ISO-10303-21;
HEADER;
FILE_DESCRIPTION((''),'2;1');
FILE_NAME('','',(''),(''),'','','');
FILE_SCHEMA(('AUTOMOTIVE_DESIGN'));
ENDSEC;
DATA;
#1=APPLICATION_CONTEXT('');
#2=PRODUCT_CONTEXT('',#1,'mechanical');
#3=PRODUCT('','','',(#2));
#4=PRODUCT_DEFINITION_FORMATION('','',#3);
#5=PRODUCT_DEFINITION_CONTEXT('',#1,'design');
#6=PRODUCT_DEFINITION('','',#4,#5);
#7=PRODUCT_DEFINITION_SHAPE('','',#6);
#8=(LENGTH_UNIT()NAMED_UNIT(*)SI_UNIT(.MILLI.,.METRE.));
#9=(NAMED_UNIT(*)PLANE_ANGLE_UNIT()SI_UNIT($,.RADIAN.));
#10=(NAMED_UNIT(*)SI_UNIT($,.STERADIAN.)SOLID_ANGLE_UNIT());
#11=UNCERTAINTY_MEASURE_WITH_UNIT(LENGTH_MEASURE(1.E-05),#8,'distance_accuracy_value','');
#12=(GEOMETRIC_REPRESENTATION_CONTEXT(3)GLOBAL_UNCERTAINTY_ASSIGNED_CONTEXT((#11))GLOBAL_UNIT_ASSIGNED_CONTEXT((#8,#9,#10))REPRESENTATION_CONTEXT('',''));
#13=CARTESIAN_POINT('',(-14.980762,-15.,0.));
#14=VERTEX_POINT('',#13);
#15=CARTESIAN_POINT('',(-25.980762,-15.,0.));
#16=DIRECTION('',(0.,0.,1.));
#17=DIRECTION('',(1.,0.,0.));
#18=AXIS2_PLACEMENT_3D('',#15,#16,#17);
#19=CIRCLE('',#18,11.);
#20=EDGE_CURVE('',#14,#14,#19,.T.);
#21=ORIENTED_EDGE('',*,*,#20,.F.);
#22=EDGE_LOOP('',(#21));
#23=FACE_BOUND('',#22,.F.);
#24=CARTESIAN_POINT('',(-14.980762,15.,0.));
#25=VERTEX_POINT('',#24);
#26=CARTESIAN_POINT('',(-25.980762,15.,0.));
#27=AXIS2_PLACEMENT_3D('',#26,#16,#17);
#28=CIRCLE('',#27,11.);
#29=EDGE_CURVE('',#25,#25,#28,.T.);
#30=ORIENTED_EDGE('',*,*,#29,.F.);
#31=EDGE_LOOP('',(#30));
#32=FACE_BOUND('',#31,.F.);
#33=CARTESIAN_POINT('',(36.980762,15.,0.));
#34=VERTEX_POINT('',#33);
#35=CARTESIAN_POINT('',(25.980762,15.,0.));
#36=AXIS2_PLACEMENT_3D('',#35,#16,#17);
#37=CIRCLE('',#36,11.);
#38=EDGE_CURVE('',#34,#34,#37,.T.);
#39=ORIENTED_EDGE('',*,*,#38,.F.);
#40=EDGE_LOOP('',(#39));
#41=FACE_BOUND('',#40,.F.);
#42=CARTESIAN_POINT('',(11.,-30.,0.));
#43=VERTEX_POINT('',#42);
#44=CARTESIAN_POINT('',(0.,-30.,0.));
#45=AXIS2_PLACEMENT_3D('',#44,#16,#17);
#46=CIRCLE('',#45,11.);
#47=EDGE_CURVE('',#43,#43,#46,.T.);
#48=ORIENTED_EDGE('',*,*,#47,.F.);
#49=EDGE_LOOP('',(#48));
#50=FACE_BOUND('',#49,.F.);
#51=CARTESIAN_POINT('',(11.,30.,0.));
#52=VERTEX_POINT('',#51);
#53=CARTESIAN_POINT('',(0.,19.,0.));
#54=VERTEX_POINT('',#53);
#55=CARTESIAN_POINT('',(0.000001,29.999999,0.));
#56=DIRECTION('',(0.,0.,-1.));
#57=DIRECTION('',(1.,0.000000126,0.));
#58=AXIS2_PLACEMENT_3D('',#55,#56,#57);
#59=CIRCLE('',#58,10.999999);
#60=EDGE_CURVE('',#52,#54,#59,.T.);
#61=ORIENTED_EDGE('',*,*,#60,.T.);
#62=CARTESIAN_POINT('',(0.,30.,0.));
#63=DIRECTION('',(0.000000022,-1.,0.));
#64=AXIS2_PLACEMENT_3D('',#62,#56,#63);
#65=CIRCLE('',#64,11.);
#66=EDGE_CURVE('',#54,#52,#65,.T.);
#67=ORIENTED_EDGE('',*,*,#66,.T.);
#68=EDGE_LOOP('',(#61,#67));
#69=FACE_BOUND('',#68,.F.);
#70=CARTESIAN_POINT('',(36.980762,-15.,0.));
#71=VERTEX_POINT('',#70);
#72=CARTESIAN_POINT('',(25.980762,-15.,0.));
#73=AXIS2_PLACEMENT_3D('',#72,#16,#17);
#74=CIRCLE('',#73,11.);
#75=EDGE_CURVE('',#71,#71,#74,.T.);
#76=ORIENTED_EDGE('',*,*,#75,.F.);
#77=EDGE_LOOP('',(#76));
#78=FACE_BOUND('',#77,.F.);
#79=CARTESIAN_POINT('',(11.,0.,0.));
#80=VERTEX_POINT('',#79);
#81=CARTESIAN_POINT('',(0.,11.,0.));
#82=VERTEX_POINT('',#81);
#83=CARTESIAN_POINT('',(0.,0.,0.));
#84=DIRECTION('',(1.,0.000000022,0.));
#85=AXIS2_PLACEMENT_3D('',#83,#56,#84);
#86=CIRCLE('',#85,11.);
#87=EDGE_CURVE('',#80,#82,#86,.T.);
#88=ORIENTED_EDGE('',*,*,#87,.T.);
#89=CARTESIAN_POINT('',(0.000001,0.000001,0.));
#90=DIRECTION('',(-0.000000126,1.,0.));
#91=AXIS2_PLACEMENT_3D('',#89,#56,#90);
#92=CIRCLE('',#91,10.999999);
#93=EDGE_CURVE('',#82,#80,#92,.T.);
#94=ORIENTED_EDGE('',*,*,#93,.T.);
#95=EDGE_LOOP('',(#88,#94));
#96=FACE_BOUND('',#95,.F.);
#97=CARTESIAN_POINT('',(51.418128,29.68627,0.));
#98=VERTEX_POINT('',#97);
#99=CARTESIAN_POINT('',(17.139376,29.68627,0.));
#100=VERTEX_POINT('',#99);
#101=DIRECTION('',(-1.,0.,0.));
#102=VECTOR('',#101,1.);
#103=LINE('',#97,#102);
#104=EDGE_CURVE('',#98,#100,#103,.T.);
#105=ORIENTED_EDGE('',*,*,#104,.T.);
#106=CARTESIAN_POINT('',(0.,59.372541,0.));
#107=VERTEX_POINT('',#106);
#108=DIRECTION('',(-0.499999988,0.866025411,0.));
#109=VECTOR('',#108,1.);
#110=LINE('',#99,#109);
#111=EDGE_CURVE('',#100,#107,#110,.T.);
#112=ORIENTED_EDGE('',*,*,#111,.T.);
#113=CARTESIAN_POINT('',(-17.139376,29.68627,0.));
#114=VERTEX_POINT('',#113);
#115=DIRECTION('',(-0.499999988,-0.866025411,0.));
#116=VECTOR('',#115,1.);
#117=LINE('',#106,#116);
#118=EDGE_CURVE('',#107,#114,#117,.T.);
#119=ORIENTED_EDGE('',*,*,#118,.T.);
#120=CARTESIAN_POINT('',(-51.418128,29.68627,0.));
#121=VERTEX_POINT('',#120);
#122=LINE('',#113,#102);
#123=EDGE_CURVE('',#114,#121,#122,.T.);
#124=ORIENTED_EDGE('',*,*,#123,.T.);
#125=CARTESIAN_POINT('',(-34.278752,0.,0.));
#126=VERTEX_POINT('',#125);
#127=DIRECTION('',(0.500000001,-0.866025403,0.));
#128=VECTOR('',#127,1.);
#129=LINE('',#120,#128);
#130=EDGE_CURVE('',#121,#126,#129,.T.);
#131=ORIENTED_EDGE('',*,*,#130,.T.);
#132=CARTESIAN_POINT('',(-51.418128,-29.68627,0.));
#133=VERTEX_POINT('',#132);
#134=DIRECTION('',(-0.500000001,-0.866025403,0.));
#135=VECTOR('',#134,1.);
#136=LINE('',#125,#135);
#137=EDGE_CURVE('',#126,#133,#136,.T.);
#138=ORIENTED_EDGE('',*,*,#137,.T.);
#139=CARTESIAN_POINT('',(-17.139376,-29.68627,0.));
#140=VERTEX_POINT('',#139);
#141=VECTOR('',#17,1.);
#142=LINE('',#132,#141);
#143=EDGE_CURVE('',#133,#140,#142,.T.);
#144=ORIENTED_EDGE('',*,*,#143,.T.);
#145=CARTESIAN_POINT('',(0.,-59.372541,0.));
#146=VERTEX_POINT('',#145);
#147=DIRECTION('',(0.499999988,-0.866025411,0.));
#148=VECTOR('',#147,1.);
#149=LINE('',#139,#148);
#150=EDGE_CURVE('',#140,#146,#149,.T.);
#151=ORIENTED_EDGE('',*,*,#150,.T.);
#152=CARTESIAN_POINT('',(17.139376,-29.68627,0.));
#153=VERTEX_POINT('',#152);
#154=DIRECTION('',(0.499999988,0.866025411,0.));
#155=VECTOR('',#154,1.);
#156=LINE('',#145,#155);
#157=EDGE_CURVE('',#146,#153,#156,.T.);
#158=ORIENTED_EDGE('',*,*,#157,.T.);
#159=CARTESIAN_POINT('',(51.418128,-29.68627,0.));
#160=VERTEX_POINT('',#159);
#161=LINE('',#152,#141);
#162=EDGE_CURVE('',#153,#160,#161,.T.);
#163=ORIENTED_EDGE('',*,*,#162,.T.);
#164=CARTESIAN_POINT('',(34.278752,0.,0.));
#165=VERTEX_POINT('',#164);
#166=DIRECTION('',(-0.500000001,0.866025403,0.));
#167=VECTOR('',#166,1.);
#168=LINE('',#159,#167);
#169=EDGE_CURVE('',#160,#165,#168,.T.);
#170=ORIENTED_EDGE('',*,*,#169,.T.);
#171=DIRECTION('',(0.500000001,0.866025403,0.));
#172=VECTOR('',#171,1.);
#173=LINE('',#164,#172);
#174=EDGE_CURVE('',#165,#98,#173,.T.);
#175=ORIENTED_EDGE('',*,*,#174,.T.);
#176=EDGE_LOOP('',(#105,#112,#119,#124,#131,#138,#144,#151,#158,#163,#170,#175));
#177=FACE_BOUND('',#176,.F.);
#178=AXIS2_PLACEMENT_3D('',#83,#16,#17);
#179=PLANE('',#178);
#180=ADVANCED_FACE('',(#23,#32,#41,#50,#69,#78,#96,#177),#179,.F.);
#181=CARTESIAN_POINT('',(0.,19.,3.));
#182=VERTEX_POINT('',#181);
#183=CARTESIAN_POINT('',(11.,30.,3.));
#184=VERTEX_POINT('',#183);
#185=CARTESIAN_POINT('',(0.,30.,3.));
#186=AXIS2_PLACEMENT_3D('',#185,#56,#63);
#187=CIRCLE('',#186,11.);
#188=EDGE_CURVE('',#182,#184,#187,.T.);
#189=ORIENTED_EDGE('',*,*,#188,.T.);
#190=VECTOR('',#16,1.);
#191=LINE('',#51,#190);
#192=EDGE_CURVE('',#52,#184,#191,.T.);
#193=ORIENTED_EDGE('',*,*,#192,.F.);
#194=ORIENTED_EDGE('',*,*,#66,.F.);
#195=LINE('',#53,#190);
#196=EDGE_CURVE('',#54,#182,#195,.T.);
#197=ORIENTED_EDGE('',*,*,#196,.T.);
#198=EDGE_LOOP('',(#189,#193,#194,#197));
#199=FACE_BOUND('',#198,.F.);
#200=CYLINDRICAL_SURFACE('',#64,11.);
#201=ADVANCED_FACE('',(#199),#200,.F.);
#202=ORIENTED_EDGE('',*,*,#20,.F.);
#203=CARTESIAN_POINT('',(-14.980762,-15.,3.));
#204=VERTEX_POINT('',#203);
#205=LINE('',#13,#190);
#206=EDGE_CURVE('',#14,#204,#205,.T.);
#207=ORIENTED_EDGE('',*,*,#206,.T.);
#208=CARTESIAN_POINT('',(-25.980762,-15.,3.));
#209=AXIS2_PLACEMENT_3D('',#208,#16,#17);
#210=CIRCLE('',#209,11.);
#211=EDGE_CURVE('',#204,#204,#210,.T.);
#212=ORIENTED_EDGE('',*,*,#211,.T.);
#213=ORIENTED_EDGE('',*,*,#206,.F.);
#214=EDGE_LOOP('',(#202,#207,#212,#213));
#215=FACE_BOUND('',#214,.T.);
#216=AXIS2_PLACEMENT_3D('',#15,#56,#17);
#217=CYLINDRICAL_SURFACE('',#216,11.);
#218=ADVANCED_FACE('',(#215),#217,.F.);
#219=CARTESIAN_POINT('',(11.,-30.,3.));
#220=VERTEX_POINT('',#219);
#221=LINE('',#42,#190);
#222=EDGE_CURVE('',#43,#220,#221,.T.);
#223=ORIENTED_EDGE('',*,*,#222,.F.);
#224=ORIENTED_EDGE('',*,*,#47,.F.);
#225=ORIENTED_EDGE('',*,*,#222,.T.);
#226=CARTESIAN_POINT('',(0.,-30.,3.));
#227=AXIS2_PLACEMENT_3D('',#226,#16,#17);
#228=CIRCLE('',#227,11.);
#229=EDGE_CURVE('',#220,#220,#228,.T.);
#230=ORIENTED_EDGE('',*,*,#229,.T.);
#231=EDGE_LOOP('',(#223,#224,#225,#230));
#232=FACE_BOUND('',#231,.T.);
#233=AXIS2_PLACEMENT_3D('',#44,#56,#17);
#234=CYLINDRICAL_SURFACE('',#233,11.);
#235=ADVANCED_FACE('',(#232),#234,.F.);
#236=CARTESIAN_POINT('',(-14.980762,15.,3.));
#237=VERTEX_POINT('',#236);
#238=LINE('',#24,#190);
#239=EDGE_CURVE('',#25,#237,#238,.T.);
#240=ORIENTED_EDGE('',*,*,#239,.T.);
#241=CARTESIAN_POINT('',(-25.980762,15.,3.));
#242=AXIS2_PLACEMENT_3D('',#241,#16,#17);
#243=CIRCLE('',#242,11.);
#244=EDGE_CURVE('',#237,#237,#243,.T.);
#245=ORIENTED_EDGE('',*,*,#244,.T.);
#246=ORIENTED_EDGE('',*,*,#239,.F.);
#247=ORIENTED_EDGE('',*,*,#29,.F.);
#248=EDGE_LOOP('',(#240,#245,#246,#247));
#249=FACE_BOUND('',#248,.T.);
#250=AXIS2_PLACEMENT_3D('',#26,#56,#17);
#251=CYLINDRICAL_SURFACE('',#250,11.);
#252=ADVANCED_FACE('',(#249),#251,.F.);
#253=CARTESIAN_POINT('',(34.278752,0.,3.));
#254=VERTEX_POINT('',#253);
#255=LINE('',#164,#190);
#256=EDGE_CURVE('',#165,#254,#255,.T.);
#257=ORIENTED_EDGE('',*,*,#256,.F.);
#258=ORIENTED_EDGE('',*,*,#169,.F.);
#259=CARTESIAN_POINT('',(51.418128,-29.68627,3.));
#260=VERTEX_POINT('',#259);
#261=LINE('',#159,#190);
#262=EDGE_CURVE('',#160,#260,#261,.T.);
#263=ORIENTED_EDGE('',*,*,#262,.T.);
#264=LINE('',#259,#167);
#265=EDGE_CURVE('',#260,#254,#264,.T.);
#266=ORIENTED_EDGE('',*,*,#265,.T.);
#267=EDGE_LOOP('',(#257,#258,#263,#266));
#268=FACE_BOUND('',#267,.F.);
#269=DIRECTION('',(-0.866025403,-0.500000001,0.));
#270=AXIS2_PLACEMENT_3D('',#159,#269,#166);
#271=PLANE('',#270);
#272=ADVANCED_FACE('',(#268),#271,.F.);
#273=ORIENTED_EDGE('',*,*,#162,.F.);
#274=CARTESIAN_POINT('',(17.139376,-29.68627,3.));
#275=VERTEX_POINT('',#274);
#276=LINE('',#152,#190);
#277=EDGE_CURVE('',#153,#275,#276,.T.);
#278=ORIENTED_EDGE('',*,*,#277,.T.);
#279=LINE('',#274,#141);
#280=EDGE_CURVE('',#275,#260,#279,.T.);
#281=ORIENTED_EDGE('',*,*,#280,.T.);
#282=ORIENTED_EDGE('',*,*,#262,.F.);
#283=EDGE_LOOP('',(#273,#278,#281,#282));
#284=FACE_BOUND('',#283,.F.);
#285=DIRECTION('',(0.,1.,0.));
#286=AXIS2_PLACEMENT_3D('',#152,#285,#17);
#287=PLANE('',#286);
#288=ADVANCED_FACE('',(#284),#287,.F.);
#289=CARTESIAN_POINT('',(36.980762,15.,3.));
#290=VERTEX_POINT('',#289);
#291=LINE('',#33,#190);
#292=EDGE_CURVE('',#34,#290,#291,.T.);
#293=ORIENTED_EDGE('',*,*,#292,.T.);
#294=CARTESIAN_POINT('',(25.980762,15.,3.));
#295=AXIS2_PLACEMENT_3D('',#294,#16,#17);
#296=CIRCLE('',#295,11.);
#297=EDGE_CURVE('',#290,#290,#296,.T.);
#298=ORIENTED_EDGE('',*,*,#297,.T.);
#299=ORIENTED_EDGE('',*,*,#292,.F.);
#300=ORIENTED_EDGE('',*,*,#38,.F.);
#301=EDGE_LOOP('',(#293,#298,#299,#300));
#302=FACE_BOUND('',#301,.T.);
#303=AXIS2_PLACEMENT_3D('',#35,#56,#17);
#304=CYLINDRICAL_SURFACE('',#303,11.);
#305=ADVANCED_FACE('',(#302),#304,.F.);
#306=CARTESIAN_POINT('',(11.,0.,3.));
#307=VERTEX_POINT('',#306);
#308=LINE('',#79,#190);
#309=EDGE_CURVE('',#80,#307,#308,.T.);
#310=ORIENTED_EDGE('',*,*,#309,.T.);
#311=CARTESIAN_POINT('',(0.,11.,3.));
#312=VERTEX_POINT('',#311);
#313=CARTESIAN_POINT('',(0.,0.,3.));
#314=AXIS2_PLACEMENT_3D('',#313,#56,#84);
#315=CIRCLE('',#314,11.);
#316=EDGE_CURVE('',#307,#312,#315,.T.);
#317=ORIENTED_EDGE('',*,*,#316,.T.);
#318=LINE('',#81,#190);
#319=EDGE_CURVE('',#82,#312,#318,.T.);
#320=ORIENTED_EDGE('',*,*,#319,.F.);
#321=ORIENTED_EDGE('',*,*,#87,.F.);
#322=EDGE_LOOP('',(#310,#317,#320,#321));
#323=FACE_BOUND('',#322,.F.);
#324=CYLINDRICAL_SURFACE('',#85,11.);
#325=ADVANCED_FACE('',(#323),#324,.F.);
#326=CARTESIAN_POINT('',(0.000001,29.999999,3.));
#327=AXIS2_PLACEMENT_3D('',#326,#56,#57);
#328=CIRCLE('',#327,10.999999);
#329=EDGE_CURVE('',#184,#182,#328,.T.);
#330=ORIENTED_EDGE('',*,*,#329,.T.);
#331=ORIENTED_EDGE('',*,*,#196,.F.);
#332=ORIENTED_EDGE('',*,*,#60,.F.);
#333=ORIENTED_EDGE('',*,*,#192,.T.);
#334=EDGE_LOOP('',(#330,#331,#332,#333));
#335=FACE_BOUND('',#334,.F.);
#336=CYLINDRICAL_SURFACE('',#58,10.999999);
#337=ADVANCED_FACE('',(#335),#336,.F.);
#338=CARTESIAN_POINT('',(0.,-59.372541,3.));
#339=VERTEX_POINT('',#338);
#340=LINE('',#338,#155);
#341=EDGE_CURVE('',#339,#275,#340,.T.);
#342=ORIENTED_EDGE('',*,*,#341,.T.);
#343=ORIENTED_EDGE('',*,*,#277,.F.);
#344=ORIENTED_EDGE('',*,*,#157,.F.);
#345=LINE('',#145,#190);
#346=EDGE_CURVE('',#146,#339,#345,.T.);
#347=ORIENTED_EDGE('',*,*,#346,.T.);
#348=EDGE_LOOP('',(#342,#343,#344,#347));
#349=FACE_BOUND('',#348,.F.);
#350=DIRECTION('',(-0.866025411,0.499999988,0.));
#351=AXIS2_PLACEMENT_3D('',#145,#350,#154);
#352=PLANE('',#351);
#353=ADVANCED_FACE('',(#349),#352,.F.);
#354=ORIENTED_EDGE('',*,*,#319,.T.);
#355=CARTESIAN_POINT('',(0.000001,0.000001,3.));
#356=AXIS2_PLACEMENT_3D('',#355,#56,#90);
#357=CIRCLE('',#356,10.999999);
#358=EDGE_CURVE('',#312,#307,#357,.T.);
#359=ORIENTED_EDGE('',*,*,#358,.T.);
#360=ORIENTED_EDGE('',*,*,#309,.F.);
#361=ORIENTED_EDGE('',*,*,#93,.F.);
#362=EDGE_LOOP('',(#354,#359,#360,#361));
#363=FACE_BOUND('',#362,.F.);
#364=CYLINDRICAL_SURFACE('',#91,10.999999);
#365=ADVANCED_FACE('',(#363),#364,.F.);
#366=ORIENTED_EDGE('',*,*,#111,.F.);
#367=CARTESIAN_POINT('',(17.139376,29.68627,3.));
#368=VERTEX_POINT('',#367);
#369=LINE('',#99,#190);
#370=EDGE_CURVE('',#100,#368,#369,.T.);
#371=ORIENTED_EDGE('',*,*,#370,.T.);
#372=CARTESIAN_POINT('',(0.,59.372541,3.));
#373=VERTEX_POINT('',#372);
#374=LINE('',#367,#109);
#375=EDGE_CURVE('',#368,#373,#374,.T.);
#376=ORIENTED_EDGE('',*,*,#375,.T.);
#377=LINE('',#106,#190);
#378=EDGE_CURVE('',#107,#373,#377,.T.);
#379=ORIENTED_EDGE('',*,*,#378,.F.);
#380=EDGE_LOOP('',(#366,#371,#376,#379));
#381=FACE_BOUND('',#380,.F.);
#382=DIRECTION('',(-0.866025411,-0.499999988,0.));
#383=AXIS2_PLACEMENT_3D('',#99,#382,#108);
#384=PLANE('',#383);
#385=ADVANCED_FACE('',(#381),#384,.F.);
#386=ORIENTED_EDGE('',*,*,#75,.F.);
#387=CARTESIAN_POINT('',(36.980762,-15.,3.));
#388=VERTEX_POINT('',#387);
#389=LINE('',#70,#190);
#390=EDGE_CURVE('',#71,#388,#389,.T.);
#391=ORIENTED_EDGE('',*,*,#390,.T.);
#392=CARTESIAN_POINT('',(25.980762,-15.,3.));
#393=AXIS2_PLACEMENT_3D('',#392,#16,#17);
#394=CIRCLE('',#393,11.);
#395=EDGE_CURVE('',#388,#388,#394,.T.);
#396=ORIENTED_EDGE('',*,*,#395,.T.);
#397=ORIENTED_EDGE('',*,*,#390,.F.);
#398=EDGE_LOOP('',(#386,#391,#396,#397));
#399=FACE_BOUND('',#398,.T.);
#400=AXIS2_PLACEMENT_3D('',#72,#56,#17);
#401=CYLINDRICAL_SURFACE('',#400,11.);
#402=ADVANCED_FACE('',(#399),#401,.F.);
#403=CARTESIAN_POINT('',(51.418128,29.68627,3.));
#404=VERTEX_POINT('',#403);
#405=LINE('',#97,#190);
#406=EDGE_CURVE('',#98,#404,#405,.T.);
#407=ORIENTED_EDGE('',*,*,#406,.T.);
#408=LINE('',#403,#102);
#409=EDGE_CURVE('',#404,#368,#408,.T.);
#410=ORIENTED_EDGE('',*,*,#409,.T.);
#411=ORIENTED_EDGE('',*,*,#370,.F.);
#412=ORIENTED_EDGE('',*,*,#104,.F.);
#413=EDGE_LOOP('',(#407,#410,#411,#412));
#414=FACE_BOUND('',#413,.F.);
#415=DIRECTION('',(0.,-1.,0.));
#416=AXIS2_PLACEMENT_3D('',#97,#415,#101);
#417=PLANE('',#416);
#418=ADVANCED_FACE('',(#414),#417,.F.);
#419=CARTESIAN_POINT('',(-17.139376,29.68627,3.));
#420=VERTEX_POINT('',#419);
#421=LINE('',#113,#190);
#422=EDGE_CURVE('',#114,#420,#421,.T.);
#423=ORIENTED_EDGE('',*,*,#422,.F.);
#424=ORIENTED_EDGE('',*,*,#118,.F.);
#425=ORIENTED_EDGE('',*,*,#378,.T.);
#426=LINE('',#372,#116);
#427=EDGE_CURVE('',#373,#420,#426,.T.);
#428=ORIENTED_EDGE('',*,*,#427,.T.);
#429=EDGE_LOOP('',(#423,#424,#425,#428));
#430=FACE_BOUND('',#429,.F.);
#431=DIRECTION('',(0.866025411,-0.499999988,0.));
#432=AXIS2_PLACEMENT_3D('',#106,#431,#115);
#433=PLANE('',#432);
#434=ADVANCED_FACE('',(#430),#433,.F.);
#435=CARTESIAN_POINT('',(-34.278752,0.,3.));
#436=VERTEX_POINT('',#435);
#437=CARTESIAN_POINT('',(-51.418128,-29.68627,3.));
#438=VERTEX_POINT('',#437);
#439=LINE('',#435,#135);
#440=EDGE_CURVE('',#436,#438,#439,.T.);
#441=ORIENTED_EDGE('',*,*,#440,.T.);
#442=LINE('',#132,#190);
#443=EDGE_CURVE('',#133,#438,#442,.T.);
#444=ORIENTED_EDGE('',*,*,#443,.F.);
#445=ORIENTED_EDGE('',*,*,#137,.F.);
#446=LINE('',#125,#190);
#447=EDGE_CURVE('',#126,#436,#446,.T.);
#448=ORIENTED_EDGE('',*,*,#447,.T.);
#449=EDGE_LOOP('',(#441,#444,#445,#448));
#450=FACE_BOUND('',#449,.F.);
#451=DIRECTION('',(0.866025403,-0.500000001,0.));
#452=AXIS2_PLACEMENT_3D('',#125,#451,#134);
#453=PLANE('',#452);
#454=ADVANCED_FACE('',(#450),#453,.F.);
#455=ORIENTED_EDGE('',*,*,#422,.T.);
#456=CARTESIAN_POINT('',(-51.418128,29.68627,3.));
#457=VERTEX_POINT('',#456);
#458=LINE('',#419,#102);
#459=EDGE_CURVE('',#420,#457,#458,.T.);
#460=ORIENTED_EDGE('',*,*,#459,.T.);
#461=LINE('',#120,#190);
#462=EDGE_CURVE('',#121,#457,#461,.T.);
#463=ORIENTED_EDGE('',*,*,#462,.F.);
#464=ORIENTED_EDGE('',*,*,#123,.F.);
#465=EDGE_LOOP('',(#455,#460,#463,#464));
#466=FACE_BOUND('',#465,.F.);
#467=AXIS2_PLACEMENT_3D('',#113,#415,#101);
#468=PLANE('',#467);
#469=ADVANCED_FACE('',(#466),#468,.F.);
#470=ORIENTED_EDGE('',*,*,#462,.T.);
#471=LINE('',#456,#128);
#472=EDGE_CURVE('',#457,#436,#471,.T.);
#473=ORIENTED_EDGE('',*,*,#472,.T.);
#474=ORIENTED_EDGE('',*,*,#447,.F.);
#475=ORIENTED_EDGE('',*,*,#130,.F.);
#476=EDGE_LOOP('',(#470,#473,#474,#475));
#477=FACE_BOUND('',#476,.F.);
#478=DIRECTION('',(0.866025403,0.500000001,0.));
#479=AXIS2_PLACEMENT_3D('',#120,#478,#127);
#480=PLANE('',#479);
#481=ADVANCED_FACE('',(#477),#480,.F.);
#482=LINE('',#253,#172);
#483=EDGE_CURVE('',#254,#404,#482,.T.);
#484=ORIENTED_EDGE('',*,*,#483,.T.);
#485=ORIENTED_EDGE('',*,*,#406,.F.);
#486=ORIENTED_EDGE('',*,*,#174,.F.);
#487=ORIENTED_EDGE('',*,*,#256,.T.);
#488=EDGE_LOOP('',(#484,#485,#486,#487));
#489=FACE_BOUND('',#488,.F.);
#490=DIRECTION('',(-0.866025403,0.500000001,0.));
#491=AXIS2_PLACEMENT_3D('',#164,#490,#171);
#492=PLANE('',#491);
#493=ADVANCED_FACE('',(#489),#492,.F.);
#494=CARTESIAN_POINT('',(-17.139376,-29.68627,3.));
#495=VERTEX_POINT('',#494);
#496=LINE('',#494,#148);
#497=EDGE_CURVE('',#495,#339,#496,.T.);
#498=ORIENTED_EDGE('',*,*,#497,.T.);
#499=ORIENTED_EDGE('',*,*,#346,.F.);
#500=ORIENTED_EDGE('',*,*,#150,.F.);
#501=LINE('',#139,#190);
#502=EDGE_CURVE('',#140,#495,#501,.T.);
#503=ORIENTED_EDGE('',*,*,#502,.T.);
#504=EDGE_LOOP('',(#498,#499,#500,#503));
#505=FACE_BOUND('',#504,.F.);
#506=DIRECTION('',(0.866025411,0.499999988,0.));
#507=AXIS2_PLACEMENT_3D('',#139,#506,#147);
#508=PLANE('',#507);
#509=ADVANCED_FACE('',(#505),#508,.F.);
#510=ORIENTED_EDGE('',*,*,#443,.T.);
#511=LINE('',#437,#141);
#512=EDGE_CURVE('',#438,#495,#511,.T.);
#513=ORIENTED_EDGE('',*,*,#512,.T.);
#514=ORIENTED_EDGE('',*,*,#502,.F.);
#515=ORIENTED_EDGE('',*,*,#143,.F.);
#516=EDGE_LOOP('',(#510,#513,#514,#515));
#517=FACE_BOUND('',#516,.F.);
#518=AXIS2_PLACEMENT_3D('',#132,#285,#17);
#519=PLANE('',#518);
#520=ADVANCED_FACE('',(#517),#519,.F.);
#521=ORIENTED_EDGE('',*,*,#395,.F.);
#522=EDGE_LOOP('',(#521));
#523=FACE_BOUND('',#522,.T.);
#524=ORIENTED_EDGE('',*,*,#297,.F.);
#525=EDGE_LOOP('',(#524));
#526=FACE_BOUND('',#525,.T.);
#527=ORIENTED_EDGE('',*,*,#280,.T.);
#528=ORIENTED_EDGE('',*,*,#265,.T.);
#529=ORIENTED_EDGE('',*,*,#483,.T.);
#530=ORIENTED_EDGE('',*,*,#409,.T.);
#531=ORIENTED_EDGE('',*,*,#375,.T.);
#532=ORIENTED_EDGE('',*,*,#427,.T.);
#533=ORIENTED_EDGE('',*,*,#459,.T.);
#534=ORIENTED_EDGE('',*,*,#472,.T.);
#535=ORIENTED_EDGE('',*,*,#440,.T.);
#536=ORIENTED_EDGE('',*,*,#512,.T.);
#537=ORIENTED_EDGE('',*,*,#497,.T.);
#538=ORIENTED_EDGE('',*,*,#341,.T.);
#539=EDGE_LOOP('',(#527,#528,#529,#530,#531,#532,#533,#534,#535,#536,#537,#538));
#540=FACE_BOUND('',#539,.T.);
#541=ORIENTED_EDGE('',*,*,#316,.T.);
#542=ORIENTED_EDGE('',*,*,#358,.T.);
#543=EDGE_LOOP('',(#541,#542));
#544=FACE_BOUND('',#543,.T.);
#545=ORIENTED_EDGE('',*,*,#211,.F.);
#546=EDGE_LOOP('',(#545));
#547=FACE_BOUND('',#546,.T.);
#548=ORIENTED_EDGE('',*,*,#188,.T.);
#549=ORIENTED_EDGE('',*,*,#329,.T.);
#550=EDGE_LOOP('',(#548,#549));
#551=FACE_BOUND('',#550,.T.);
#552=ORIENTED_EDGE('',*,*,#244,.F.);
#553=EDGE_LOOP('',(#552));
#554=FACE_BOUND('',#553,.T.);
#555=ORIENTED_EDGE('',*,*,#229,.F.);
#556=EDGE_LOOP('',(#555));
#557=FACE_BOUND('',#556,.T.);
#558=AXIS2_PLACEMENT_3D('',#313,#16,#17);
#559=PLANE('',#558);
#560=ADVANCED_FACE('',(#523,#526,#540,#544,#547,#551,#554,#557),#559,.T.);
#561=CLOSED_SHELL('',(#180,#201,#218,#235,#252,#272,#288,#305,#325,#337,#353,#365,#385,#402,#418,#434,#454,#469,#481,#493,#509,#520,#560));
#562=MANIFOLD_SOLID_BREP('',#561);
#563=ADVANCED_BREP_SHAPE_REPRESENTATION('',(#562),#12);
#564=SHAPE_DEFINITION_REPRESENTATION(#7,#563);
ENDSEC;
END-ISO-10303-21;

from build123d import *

# Parameters (mm, degrees)
F0_R     = 11
F1_DEPTH = 3


with BuildPart() as f1:
    # F0 (on Top) → F1 (new body)
    with BuildSketch(Plane.XY):
        Polygon((-17.139376, 29.68627), (-51.418128, 29.68627), (-34.278752, 0), (-51.418128, -29.68627), (-17.139376, -29.68627), (0, -59.372541), (17.139376, -29.68627), (51.418128, -29.68627), (34.278752, 0), (51.418128, 29.68627), (17.139376, 29.68627), (0, 59.372541), align=None)
        with Locations((0, -30)):
            Circle(F0_R, mode=Mode.SUBTRACT)
        with Locations((-25.980762, -15)):
            Circle(F0_R, mode=Mode.SUBTRACT)
        with Locations((25.980762, -15)):
            Circle(F0_R, mode=Mode.SUBTRACT)
        with Locations((-25.980762, 15)):
            Circle(F0_R, mode=Mode.SUBTRACT)
        with BuildLine():
            ThreePointArc((0, 11), (7.778175, 7.778175), (11, 0))
            ThreePointArc((11, 0), (-7.778175, -7.778175), (0, 11))
        make_face(mode=Mode.SUBTRACT)
        with BuildLine():
            ThreePointArc((11, 30), (7.778175, 22.221825), (0, 19))
            ThreePointArc((0, 19), (-7.778175, 37.778175), (11, 30))
        make_face(mode=Mode.SUBTRACT)
        with Locations((25.980762, 15)):
            Circle(F0_R, mode=Mode.SUBTRACT)
    extrude(amount=F1_DEPTH)


solid = f1.part
